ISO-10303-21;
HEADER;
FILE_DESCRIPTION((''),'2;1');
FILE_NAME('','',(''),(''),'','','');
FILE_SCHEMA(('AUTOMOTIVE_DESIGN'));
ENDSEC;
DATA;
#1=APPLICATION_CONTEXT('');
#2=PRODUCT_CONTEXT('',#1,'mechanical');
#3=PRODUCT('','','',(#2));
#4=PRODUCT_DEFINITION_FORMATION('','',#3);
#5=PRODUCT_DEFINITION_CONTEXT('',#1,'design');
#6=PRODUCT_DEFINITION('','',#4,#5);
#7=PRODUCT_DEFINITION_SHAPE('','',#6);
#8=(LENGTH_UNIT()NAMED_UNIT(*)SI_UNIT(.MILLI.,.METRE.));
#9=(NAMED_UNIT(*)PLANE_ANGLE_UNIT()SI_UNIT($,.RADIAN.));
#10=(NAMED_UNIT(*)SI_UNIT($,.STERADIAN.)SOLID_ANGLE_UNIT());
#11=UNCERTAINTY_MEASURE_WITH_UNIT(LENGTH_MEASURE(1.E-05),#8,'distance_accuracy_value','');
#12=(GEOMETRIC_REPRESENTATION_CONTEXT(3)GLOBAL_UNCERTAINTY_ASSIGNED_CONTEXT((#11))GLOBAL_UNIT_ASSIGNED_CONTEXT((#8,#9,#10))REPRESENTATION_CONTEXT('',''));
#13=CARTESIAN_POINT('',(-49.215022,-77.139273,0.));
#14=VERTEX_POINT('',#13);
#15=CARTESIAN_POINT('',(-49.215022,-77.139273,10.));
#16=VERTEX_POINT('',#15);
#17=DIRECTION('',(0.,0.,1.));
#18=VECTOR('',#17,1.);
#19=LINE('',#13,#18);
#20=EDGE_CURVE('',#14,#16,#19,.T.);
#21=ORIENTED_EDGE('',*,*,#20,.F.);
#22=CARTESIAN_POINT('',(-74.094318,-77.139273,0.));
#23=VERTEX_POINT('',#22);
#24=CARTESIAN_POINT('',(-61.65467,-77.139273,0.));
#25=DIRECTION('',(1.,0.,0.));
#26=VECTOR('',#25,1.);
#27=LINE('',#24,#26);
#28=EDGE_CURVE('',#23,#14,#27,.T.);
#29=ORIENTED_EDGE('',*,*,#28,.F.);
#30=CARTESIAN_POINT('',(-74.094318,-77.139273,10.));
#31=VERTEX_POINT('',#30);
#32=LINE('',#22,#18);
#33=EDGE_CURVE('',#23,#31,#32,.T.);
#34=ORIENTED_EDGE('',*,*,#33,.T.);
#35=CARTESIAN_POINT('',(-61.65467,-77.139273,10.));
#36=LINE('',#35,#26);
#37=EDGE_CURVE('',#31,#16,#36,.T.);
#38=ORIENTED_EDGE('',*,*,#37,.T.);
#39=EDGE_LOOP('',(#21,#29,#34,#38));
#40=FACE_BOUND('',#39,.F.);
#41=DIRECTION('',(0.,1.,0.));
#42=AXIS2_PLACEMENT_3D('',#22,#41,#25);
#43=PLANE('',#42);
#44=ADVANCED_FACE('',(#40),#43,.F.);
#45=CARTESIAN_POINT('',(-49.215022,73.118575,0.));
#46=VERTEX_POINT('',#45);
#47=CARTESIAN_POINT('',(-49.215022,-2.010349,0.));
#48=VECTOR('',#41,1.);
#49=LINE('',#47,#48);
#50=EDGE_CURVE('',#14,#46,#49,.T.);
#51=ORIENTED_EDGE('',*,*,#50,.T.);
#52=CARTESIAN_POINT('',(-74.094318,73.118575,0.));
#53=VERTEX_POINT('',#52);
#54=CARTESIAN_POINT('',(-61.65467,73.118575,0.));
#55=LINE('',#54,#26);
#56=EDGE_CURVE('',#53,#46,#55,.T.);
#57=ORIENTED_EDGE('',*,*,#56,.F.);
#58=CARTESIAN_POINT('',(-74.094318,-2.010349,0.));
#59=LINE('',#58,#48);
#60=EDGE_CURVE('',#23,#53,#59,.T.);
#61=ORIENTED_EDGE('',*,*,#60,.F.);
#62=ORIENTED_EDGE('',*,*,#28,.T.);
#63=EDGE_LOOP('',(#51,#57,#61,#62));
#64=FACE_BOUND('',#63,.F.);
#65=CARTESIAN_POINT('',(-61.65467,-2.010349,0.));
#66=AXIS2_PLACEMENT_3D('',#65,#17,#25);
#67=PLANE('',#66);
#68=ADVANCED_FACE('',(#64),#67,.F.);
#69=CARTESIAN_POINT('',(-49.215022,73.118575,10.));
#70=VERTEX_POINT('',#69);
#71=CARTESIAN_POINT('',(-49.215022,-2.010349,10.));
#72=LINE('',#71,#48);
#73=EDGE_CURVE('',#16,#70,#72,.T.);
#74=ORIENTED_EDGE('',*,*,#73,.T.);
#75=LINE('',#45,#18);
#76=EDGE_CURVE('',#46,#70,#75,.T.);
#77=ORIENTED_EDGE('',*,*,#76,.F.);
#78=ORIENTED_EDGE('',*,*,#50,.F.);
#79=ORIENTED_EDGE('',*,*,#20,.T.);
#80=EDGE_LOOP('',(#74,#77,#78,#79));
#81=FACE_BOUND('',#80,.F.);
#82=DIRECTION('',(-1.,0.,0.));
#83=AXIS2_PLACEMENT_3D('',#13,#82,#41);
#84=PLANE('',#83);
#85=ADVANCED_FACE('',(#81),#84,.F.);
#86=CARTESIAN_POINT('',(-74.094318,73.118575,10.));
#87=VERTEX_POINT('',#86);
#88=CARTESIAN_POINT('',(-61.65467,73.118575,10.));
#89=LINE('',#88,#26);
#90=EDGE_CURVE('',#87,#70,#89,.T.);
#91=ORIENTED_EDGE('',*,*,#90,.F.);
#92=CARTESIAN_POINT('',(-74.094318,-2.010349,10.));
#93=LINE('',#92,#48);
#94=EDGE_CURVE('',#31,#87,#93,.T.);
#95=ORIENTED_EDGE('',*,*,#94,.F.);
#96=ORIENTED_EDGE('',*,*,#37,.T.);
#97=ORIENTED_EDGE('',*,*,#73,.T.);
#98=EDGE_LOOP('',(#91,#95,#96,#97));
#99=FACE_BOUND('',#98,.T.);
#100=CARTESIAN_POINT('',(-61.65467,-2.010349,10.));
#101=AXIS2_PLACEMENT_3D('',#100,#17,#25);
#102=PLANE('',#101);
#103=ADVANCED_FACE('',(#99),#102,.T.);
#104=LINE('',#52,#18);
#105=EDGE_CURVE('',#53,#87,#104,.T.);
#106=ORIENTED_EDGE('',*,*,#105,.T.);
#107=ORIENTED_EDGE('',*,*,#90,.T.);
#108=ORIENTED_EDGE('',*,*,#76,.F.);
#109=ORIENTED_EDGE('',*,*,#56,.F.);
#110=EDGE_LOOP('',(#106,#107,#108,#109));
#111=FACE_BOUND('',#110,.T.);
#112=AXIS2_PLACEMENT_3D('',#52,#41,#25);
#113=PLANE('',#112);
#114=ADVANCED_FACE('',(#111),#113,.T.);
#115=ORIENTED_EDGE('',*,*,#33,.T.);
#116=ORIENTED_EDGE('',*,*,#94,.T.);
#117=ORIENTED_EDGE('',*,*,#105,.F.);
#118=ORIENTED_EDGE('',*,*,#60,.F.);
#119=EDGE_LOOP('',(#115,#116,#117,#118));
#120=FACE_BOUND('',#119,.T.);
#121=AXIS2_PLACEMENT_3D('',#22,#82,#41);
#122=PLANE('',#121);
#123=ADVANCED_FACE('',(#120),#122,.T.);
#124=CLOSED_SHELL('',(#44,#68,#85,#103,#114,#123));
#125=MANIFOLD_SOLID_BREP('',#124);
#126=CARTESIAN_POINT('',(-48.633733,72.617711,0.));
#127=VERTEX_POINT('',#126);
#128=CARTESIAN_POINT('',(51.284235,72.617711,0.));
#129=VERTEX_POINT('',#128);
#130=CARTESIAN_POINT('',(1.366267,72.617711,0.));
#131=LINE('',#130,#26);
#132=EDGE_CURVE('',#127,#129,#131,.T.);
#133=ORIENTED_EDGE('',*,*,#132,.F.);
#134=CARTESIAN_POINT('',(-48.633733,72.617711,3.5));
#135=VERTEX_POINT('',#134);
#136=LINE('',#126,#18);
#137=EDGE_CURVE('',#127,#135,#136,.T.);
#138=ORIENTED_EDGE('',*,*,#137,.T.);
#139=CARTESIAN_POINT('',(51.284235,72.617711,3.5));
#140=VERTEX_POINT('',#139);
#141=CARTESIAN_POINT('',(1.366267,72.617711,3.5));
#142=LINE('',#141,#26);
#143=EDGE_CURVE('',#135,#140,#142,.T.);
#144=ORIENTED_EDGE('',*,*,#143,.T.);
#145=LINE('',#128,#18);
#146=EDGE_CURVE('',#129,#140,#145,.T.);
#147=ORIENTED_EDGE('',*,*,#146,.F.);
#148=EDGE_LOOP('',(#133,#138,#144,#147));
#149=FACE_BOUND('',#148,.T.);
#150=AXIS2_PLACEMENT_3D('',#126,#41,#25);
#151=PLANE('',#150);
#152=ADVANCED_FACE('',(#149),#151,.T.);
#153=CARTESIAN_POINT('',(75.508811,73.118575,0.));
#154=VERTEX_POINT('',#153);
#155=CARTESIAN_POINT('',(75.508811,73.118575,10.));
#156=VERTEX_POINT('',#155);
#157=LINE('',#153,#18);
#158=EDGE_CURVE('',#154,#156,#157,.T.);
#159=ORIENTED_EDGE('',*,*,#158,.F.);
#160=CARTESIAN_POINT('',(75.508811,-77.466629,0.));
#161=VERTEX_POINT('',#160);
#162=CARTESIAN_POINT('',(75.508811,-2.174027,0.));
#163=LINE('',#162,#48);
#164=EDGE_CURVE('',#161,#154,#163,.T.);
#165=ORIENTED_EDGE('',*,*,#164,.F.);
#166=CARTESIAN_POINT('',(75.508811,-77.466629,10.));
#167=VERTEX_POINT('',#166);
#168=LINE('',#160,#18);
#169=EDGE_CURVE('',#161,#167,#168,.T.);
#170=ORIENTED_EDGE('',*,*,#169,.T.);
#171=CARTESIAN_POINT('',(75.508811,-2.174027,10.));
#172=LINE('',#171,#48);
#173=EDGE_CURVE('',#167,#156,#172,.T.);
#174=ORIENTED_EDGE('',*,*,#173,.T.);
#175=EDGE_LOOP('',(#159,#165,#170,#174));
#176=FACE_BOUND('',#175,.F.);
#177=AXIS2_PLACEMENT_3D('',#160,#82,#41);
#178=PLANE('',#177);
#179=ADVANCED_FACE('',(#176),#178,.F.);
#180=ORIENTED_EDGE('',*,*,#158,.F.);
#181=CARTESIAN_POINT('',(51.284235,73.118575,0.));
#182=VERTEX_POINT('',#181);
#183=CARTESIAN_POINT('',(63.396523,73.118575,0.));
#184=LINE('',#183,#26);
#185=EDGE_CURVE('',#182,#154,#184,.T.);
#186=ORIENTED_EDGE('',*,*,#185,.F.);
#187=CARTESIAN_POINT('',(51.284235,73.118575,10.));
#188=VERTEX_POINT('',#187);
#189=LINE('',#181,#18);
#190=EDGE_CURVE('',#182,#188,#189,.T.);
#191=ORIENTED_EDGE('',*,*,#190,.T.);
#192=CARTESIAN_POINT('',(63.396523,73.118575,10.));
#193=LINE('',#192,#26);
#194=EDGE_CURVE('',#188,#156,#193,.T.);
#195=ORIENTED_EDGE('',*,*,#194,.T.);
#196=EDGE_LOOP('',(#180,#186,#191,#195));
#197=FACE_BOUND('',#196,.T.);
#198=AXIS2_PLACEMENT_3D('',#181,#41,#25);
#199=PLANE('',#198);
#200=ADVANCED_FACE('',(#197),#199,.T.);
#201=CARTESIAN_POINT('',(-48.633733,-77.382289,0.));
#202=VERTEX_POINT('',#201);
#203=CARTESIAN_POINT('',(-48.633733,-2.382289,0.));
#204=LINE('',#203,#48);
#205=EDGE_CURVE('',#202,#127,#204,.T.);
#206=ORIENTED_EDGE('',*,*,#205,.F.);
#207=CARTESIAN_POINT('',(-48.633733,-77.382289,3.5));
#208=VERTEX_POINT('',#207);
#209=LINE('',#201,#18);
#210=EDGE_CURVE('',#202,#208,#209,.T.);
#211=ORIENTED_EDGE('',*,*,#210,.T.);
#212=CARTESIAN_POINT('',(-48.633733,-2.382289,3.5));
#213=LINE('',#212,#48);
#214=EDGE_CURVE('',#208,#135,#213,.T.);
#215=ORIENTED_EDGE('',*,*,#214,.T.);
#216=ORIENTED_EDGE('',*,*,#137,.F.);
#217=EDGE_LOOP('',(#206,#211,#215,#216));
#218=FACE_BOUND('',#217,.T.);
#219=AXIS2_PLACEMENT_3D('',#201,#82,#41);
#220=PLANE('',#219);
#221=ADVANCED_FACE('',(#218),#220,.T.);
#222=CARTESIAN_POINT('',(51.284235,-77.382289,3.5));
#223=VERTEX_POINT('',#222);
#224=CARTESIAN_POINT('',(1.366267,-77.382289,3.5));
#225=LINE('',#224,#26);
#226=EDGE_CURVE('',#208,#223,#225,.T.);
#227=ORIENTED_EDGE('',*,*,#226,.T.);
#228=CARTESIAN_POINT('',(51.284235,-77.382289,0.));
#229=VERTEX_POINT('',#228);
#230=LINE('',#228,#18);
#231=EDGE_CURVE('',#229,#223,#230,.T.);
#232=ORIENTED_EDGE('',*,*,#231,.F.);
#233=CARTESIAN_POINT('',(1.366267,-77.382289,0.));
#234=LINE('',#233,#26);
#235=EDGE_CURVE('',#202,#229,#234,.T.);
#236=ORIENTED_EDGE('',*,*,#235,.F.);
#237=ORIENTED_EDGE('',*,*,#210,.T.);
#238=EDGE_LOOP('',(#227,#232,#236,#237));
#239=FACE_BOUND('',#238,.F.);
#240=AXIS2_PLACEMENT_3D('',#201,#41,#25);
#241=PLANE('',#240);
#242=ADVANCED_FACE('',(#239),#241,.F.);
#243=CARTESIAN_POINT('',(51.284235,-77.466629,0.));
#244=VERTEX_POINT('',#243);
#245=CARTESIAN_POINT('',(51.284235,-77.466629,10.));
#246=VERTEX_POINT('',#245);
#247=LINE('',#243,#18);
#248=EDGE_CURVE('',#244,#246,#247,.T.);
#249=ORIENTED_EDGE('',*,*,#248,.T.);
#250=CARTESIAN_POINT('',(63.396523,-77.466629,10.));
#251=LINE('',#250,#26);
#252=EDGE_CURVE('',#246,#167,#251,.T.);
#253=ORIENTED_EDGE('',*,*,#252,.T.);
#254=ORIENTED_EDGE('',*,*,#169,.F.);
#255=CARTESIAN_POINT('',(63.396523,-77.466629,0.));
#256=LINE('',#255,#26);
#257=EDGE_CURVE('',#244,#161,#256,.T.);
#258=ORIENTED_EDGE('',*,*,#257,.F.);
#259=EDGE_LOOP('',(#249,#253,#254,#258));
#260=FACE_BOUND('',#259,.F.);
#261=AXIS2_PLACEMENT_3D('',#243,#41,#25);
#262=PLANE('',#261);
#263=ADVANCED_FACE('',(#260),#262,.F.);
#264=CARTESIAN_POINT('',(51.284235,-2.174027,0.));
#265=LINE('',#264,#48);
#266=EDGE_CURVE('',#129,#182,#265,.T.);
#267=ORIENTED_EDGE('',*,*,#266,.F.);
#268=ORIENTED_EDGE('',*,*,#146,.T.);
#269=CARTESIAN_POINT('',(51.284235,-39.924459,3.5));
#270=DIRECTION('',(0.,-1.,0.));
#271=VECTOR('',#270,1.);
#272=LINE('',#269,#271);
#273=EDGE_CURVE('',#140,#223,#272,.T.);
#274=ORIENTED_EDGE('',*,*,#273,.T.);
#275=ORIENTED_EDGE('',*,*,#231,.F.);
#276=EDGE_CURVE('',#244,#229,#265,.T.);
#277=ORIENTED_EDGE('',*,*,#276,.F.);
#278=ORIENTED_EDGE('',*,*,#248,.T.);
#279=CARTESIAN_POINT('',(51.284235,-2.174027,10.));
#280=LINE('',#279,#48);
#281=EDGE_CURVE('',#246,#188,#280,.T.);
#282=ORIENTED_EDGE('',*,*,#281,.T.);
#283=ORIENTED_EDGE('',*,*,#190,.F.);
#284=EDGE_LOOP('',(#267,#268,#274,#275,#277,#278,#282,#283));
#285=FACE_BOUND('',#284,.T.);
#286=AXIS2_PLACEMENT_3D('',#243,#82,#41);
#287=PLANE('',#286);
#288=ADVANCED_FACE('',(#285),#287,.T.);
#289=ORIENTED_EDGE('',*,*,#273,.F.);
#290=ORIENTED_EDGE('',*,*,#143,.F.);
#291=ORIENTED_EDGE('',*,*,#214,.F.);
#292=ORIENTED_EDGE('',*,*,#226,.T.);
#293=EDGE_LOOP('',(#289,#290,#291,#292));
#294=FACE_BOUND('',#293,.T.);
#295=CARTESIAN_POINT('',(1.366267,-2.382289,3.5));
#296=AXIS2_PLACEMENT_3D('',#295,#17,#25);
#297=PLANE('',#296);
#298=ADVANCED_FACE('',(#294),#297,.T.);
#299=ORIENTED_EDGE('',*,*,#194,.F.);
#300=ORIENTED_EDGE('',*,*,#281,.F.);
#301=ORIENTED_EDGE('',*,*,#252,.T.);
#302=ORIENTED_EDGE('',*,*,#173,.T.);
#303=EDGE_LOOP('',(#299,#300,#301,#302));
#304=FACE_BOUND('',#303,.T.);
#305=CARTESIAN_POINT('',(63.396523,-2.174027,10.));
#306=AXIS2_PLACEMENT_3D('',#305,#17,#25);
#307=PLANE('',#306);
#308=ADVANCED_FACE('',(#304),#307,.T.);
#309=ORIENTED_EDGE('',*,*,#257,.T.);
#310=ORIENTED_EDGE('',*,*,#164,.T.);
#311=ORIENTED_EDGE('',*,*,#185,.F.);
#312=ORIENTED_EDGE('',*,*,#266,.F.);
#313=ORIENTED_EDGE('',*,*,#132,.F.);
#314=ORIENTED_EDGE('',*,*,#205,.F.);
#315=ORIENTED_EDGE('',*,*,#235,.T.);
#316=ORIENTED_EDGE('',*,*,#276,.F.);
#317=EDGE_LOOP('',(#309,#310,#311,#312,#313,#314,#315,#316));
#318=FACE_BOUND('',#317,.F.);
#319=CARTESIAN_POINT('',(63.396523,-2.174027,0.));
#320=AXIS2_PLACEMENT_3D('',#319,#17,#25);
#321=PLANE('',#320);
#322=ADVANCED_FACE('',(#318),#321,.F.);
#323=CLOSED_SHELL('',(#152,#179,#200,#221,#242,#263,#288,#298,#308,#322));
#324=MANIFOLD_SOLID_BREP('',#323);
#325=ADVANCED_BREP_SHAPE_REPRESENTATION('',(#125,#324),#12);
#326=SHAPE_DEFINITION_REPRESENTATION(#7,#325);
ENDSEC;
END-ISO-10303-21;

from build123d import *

# Parameters (mm, degrees)
F0_W     = 100
F0_H     = 150
F1_DEPTH = 3.5
F2_W     = 24.879296
F2_H     = 150.257848
F2_W_2   = 24.224576
F2_H_2   = 150.585204
F3_DEPTH = 10


with BuildPart() as f1:
    # F0 (on Top) → F1 (new body)
    with BuildSketch(Plane.XY):
        with Locations((1.366267, -2.382289)):
            Rectangle(F0_W, F0_H)
    extrude(amount=F1_DEPTH)

    # F2 (on Top) → F3 (join)
    with BuildSketch(Plane.XY):
        with Locations((-61.65467, -2.010349)):
            Rectangle(F2_W, F2_H)
        with Locations((63.396523, -2.174027)):
            Rectangle(F2_W_2, F2_H_2)
    extrude(amount=F3_DEPTH)


solid = f1.part
